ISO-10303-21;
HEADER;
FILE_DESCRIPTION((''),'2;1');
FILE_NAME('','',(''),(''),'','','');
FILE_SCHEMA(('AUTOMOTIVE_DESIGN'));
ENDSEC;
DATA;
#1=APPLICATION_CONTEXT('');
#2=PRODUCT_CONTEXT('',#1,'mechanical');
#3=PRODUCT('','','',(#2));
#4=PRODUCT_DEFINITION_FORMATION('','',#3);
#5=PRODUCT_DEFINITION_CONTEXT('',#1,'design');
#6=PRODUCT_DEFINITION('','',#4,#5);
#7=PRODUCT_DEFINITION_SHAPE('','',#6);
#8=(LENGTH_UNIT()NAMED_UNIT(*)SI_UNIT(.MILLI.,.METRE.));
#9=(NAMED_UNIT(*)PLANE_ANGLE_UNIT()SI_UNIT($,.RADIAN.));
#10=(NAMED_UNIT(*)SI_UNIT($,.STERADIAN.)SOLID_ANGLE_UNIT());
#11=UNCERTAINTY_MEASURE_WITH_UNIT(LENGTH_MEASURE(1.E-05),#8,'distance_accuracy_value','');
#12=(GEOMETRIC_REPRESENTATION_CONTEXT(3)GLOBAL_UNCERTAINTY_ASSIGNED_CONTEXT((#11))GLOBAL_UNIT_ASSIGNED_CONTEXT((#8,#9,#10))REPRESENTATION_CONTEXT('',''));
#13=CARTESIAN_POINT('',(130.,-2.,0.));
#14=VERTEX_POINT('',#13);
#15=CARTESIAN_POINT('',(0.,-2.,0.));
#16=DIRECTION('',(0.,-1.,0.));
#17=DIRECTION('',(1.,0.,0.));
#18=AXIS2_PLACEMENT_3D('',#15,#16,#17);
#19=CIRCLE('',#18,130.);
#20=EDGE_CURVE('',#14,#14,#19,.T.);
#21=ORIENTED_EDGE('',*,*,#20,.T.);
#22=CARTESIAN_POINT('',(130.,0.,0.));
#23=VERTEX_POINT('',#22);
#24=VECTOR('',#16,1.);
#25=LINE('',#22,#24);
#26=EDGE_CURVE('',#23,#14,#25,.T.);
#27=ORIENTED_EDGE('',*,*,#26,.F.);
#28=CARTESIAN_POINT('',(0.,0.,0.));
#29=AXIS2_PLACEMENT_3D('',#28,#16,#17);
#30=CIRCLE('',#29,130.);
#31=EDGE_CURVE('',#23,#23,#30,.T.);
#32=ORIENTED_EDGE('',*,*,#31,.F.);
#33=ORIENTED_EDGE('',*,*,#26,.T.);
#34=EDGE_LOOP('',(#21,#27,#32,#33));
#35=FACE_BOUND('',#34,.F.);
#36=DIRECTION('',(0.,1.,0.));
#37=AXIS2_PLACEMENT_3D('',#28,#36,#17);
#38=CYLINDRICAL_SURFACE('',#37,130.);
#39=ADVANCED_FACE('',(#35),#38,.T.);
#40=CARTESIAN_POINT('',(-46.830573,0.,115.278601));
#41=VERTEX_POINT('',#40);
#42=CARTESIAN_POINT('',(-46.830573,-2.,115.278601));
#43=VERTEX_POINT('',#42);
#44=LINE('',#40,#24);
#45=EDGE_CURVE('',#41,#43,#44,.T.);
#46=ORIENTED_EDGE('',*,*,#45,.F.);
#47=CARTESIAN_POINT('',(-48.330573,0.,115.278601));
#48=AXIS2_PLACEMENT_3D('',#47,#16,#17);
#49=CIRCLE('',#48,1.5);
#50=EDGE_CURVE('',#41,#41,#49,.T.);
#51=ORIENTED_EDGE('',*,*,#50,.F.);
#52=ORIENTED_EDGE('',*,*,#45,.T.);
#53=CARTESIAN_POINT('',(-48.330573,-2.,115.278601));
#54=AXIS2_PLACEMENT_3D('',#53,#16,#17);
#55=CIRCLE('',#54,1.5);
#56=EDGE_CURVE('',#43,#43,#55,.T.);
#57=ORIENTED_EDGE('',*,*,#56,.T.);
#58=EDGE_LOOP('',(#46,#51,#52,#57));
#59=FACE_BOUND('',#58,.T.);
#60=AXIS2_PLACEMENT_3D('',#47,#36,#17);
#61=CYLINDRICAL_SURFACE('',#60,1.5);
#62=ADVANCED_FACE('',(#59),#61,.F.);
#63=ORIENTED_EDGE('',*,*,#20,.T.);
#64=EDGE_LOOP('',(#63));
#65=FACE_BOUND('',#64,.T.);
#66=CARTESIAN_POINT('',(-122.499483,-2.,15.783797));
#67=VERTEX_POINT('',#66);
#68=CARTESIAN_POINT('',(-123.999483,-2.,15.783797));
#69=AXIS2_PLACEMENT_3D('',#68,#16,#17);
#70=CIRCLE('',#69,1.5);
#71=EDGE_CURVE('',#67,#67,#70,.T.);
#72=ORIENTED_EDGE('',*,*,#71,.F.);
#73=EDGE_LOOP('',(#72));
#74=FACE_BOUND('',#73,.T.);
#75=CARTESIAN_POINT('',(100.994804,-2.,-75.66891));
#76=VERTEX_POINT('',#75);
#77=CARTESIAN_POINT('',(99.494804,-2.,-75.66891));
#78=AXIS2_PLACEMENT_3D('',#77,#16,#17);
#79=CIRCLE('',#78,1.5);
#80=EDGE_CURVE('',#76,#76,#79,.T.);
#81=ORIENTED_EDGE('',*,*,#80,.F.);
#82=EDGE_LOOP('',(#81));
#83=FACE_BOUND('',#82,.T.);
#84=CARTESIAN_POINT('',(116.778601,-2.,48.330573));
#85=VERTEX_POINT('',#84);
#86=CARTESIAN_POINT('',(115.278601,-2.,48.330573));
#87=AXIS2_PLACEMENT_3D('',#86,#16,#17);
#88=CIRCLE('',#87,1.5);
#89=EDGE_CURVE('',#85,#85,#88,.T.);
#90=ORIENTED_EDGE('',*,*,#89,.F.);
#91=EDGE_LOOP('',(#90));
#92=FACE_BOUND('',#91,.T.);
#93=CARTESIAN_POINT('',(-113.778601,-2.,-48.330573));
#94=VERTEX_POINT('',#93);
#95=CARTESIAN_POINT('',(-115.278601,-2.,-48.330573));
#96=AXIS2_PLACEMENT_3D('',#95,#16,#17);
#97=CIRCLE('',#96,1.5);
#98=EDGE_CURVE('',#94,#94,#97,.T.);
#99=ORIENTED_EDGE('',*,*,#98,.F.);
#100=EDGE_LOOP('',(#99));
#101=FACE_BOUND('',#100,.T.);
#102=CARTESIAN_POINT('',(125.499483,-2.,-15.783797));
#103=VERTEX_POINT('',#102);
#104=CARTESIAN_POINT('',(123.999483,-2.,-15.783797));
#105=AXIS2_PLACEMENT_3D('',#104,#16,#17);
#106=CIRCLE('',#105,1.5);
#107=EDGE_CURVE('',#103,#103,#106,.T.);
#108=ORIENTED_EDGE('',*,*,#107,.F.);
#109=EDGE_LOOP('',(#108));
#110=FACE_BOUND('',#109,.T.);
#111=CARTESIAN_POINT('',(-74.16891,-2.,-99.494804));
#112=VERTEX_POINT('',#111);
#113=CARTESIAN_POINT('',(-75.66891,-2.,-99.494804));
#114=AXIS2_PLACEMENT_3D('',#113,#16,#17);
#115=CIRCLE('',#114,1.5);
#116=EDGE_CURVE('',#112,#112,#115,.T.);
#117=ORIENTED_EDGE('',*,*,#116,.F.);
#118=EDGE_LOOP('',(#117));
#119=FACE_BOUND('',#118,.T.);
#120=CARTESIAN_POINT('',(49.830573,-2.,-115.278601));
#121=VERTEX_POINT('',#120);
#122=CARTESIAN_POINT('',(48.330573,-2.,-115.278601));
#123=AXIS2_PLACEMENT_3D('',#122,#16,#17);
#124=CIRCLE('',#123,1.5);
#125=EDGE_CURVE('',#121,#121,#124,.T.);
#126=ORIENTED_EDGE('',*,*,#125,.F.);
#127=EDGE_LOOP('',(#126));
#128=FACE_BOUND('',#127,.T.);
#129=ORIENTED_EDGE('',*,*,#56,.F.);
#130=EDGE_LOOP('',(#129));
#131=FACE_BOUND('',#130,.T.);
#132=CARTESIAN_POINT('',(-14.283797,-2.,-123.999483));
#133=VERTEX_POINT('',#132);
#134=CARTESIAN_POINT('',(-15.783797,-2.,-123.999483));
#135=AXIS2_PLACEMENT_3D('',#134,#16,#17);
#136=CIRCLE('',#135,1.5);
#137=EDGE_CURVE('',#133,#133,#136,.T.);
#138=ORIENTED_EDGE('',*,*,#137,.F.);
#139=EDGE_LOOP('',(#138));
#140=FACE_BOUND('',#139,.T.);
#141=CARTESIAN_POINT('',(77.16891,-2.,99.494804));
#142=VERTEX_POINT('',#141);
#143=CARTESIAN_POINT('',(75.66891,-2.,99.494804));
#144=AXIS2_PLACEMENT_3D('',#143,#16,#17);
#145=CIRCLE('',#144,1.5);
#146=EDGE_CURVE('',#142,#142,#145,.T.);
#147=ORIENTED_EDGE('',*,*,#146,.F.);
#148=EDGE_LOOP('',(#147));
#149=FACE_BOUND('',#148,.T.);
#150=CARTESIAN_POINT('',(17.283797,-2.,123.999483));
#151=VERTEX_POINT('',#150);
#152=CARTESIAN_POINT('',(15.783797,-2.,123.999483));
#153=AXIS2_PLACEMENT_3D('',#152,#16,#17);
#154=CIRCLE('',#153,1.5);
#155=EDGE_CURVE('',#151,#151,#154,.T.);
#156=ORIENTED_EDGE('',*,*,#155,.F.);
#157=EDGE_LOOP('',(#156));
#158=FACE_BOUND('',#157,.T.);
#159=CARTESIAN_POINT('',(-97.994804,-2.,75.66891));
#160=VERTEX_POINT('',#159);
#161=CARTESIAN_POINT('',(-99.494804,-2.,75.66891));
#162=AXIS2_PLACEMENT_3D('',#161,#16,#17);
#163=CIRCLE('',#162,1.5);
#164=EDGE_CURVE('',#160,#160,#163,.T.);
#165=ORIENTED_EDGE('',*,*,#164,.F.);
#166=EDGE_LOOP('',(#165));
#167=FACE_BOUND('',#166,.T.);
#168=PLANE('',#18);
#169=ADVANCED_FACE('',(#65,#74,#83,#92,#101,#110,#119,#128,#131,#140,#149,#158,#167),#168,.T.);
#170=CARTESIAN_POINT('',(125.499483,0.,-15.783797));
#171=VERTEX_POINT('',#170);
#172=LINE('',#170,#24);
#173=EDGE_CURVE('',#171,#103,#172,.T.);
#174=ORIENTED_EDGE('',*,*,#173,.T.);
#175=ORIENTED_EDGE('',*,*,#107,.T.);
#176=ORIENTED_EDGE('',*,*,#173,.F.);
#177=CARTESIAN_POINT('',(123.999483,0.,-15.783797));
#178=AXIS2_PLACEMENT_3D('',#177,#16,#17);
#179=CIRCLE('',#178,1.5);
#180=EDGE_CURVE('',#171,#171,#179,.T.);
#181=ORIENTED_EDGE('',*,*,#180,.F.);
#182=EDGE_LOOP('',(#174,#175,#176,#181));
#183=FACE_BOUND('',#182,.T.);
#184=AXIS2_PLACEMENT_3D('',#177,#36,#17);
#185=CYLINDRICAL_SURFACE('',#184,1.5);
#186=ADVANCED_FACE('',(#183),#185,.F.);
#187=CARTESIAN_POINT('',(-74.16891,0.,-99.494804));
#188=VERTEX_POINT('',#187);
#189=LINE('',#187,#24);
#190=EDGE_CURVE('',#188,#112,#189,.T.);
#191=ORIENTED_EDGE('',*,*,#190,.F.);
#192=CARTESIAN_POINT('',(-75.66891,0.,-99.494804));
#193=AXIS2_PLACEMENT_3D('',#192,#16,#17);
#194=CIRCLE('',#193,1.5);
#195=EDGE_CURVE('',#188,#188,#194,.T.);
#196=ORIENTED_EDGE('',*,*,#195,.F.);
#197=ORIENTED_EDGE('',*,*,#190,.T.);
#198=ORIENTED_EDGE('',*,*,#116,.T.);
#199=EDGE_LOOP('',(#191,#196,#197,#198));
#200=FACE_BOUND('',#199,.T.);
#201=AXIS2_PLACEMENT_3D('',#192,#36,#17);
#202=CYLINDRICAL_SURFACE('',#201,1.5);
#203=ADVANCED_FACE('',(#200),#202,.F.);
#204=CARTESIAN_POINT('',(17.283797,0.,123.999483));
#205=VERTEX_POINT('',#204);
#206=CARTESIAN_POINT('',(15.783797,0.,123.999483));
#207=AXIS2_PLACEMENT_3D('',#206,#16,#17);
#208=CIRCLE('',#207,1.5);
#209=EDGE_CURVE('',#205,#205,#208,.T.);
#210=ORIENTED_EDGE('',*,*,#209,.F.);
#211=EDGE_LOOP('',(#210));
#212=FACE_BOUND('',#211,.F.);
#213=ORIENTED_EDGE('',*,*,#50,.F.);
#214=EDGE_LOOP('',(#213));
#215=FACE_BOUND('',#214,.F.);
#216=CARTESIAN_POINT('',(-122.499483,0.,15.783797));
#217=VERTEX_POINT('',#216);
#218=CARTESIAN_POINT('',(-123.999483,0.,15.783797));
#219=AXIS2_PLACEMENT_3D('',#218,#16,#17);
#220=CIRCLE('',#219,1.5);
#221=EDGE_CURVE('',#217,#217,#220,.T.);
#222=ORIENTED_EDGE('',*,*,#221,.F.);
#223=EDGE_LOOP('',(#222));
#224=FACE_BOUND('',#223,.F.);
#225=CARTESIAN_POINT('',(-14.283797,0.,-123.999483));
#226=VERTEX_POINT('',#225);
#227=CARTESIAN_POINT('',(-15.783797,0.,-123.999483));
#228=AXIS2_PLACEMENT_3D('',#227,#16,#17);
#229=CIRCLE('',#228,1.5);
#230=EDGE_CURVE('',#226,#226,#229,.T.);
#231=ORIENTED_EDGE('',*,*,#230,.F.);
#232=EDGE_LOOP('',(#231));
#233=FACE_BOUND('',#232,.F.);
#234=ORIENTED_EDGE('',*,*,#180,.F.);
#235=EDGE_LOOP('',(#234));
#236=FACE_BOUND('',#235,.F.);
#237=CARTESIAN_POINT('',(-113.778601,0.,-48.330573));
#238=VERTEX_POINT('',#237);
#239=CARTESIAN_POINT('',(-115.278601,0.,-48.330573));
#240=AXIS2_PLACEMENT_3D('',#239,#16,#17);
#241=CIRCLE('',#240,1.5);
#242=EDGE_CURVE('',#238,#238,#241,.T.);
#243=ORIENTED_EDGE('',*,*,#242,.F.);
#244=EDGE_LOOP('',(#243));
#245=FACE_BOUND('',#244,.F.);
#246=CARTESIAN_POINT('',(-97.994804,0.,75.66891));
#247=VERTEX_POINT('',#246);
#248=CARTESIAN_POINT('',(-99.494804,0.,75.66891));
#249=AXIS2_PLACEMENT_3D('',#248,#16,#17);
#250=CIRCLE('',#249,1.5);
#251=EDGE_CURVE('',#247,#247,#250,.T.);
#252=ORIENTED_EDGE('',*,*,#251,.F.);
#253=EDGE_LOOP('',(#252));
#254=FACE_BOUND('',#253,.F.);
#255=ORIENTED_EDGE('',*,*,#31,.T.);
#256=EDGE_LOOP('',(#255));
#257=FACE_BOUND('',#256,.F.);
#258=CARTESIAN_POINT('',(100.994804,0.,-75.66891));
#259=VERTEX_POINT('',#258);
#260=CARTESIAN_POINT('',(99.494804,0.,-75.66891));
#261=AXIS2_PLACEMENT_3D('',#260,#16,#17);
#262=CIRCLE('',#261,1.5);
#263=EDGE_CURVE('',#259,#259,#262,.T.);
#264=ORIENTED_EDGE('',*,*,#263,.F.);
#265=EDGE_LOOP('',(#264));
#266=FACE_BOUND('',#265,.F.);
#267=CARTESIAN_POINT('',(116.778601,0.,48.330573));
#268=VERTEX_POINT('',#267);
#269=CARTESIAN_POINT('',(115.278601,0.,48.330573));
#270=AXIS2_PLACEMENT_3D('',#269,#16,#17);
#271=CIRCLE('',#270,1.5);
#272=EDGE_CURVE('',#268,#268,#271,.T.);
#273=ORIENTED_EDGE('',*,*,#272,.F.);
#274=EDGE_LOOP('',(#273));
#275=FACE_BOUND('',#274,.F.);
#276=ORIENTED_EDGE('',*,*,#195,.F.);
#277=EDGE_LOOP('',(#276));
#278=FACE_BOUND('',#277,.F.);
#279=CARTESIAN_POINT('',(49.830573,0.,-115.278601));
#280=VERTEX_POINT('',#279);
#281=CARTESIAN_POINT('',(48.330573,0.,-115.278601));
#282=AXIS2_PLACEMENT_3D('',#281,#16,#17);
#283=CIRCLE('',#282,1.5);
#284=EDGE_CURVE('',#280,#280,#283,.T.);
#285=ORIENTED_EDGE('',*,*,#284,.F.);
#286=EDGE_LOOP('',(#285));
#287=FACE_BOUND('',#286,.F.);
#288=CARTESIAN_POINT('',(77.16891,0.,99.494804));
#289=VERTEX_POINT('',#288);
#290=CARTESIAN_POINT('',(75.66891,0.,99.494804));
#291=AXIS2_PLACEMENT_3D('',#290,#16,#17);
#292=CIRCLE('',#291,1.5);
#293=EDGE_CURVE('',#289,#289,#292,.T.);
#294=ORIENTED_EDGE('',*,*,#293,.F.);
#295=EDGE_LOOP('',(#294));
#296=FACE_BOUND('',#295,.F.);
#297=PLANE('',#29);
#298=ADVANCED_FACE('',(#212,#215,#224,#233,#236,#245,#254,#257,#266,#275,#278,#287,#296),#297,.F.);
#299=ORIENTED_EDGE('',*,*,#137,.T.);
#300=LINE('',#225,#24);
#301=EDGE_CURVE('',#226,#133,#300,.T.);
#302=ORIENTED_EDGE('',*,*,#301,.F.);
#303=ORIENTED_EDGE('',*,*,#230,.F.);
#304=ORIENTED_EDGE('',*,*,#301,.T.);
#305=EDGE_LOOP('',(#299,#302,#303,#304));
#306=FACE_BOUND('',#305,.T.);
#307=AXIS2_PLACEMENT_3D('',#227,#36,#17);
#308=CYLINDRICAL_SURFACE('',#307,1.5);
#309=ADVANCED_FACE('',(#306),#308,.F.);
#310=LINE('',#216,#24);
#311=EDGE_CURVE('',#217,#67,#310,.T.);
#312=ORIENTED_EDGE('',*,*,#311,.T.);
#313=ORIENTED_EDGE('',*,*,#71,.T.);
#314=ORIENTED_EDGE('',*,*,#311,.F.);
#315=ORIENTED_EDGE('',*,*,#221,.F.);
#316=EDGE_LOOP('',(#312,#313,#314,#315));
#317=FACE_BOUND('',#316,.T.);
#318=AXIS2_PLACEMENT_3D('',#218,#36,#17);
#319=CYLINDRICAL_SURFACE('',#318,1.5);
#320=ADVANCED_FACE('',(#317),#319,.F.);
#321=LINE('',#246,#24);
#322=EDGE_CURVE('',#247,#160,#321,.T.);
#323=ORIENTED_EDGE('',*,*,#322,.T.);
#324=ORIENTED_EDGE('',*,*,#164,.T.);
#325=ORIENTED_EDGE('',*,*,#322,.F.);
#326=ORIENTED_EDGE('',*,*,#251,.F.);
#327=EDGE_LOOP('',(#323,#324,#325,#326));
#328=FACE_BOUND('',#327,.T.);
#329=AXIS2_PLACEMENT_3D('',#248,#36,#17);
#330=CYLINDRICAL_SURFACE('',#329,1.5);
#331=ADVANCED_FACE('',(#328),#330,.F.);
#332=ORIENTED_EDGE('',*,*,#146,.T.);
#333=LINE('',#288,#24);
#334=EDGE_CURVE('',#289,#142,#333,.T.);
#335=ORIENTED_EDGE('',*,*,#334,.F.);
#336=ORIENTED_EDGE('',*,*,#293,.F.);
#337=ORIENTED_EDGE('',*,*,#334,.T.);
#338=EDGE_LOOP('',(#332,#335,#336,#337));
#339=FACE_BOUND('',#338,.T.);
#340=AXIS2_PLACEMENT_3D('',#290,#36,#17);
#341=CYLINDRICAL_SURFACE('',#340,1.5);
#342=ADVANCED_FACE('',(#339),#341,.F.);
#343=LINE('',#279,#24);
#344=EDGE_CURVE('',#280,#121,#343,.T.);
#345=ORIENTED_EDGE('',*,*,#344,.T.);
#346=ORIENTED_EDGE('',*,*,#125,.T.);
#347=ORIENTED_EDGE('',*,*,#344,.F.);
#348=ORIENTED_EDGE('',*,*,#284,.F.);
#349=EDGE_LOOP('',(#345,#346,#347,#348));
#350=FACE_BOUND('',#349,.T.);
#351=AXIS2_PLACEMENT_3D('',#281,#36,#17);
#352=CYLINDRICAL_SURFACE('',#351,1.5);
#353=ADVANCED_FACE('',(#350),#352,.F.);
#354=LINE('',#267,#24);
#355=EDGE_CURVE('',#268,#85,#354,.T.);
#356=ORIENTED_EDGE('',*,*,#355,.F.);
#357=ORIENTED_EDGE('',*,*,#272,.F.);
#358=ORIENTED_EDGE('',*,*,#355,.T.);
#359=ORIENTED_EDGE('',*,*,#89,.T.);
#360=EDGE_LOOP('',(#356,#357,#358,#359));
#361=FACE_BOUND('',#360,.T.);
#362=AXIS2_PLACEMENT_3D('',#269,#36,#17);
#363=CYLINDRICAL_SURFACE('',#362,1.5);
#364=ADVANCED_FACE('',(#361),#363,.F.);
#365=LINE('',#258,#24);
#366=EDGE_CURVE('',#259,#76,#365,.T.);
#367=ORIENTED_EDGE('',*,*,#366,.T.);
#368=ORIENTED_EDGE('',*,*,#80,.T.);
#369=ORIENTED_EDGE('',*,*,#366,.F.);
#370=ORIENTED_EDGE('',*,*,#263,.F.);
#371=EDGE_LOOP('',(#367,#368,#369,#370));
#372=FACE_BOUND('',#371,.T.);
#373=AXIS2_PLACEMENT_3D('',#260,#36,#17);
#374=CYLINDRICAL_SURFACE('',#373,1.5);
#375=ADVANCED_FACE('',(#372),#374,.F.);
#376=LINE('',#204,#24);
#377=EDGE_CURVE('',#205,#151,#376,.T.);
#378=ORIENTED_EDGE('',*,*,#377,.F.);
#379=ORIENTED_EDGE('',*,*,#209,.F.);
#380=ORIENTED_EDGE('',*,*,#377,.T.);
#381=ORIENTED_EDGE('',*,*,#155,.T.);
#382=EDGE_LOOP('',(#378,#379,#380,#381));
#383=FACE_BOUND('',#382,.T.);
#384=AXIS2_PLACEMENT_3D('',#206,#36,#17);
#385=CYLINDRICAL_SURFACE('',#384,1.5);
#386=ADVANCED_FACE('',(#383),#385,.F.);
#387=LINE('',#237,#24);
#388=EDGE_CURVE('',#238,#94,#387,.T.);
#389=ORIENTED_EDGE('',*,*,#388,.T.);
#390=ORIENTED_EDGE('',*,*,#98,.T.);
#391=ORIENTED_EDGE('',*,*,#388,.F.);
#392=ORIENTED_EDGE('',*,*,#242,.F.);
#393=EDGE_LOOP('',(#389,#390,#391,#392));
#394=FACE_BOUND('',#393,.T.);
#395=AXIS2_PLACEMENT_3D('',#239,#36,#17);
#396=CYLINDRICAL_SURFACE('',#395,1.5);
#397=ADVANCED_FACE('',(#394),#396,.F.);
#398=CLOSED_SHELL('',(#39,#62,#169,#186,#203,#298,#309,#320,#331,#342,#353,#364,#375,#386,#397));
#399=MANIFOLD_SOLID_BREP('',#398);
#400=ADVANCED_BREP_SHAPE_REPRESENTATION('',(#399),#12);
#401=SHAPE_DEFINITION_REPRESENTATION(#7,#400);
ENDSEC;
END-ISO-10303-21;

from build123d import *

# Parameters (mm, degrees)
F0_R     = 130
F0_R_2   = 1.5
F1_DEPTH = 2


with BuildPart() as f1:
    # F0 (on Front) → F1 (new body)
    with BuildSketch(Plane.XZ):
        Circle(F0_R)
        with Locations((-75.66891, -99.494804)):
            Circle(F0_R_2, mode=Mode.SUBTRACT)
        with Locations((-15.783797, -123.999483)):
            Circle(F0_R_2, mode=Mode.SUBTRACT)
        with Locations((-115.278601, -48.330573)):
            Circle(F0_R_2, mode=Mode.SUBTRACT)
        with Locations((48.330573, -115.278601)):
            Circle(F0_R_2, mode=Mode.SUBTRACT)
        with Locations((99.494804, -75.66891)):
            Circle(F0_R_2, mode=Mode.SUBTRACT)
        with Locations((123.999483, -15.783797)):
            Circle(F0_R_2, mode=Mode.SUBTRACT)
        with Locations((-123.999483, 15.783797)):
            Circle(F0_R_2, mode=Mode.SUBTRACT)
        with Locations((-99.494804, 75.66891)):
            Circle(F0_R_2, mode=Mode.SUBTRACT)
        with Locations((-48.330573, 115.278601)):
            Circle(F0_R_2, mode=Mode.SUBTRACT)
        with Locations((115.278601, 48.330573)):
            Circle(F0_R_2, mode=Mode.SUBTRACT)
        with Locations((15.783797, 123.999483)):
            Circle(F0_R_2, mode=Mode.SUBTRACT)
        with Locations((75.66891, 99.494804)):
            Circle(F0_R_2, mode=Mode.SUBTRACT)
    extrude(amount=F1_DEPTH)


solid = f1.part
